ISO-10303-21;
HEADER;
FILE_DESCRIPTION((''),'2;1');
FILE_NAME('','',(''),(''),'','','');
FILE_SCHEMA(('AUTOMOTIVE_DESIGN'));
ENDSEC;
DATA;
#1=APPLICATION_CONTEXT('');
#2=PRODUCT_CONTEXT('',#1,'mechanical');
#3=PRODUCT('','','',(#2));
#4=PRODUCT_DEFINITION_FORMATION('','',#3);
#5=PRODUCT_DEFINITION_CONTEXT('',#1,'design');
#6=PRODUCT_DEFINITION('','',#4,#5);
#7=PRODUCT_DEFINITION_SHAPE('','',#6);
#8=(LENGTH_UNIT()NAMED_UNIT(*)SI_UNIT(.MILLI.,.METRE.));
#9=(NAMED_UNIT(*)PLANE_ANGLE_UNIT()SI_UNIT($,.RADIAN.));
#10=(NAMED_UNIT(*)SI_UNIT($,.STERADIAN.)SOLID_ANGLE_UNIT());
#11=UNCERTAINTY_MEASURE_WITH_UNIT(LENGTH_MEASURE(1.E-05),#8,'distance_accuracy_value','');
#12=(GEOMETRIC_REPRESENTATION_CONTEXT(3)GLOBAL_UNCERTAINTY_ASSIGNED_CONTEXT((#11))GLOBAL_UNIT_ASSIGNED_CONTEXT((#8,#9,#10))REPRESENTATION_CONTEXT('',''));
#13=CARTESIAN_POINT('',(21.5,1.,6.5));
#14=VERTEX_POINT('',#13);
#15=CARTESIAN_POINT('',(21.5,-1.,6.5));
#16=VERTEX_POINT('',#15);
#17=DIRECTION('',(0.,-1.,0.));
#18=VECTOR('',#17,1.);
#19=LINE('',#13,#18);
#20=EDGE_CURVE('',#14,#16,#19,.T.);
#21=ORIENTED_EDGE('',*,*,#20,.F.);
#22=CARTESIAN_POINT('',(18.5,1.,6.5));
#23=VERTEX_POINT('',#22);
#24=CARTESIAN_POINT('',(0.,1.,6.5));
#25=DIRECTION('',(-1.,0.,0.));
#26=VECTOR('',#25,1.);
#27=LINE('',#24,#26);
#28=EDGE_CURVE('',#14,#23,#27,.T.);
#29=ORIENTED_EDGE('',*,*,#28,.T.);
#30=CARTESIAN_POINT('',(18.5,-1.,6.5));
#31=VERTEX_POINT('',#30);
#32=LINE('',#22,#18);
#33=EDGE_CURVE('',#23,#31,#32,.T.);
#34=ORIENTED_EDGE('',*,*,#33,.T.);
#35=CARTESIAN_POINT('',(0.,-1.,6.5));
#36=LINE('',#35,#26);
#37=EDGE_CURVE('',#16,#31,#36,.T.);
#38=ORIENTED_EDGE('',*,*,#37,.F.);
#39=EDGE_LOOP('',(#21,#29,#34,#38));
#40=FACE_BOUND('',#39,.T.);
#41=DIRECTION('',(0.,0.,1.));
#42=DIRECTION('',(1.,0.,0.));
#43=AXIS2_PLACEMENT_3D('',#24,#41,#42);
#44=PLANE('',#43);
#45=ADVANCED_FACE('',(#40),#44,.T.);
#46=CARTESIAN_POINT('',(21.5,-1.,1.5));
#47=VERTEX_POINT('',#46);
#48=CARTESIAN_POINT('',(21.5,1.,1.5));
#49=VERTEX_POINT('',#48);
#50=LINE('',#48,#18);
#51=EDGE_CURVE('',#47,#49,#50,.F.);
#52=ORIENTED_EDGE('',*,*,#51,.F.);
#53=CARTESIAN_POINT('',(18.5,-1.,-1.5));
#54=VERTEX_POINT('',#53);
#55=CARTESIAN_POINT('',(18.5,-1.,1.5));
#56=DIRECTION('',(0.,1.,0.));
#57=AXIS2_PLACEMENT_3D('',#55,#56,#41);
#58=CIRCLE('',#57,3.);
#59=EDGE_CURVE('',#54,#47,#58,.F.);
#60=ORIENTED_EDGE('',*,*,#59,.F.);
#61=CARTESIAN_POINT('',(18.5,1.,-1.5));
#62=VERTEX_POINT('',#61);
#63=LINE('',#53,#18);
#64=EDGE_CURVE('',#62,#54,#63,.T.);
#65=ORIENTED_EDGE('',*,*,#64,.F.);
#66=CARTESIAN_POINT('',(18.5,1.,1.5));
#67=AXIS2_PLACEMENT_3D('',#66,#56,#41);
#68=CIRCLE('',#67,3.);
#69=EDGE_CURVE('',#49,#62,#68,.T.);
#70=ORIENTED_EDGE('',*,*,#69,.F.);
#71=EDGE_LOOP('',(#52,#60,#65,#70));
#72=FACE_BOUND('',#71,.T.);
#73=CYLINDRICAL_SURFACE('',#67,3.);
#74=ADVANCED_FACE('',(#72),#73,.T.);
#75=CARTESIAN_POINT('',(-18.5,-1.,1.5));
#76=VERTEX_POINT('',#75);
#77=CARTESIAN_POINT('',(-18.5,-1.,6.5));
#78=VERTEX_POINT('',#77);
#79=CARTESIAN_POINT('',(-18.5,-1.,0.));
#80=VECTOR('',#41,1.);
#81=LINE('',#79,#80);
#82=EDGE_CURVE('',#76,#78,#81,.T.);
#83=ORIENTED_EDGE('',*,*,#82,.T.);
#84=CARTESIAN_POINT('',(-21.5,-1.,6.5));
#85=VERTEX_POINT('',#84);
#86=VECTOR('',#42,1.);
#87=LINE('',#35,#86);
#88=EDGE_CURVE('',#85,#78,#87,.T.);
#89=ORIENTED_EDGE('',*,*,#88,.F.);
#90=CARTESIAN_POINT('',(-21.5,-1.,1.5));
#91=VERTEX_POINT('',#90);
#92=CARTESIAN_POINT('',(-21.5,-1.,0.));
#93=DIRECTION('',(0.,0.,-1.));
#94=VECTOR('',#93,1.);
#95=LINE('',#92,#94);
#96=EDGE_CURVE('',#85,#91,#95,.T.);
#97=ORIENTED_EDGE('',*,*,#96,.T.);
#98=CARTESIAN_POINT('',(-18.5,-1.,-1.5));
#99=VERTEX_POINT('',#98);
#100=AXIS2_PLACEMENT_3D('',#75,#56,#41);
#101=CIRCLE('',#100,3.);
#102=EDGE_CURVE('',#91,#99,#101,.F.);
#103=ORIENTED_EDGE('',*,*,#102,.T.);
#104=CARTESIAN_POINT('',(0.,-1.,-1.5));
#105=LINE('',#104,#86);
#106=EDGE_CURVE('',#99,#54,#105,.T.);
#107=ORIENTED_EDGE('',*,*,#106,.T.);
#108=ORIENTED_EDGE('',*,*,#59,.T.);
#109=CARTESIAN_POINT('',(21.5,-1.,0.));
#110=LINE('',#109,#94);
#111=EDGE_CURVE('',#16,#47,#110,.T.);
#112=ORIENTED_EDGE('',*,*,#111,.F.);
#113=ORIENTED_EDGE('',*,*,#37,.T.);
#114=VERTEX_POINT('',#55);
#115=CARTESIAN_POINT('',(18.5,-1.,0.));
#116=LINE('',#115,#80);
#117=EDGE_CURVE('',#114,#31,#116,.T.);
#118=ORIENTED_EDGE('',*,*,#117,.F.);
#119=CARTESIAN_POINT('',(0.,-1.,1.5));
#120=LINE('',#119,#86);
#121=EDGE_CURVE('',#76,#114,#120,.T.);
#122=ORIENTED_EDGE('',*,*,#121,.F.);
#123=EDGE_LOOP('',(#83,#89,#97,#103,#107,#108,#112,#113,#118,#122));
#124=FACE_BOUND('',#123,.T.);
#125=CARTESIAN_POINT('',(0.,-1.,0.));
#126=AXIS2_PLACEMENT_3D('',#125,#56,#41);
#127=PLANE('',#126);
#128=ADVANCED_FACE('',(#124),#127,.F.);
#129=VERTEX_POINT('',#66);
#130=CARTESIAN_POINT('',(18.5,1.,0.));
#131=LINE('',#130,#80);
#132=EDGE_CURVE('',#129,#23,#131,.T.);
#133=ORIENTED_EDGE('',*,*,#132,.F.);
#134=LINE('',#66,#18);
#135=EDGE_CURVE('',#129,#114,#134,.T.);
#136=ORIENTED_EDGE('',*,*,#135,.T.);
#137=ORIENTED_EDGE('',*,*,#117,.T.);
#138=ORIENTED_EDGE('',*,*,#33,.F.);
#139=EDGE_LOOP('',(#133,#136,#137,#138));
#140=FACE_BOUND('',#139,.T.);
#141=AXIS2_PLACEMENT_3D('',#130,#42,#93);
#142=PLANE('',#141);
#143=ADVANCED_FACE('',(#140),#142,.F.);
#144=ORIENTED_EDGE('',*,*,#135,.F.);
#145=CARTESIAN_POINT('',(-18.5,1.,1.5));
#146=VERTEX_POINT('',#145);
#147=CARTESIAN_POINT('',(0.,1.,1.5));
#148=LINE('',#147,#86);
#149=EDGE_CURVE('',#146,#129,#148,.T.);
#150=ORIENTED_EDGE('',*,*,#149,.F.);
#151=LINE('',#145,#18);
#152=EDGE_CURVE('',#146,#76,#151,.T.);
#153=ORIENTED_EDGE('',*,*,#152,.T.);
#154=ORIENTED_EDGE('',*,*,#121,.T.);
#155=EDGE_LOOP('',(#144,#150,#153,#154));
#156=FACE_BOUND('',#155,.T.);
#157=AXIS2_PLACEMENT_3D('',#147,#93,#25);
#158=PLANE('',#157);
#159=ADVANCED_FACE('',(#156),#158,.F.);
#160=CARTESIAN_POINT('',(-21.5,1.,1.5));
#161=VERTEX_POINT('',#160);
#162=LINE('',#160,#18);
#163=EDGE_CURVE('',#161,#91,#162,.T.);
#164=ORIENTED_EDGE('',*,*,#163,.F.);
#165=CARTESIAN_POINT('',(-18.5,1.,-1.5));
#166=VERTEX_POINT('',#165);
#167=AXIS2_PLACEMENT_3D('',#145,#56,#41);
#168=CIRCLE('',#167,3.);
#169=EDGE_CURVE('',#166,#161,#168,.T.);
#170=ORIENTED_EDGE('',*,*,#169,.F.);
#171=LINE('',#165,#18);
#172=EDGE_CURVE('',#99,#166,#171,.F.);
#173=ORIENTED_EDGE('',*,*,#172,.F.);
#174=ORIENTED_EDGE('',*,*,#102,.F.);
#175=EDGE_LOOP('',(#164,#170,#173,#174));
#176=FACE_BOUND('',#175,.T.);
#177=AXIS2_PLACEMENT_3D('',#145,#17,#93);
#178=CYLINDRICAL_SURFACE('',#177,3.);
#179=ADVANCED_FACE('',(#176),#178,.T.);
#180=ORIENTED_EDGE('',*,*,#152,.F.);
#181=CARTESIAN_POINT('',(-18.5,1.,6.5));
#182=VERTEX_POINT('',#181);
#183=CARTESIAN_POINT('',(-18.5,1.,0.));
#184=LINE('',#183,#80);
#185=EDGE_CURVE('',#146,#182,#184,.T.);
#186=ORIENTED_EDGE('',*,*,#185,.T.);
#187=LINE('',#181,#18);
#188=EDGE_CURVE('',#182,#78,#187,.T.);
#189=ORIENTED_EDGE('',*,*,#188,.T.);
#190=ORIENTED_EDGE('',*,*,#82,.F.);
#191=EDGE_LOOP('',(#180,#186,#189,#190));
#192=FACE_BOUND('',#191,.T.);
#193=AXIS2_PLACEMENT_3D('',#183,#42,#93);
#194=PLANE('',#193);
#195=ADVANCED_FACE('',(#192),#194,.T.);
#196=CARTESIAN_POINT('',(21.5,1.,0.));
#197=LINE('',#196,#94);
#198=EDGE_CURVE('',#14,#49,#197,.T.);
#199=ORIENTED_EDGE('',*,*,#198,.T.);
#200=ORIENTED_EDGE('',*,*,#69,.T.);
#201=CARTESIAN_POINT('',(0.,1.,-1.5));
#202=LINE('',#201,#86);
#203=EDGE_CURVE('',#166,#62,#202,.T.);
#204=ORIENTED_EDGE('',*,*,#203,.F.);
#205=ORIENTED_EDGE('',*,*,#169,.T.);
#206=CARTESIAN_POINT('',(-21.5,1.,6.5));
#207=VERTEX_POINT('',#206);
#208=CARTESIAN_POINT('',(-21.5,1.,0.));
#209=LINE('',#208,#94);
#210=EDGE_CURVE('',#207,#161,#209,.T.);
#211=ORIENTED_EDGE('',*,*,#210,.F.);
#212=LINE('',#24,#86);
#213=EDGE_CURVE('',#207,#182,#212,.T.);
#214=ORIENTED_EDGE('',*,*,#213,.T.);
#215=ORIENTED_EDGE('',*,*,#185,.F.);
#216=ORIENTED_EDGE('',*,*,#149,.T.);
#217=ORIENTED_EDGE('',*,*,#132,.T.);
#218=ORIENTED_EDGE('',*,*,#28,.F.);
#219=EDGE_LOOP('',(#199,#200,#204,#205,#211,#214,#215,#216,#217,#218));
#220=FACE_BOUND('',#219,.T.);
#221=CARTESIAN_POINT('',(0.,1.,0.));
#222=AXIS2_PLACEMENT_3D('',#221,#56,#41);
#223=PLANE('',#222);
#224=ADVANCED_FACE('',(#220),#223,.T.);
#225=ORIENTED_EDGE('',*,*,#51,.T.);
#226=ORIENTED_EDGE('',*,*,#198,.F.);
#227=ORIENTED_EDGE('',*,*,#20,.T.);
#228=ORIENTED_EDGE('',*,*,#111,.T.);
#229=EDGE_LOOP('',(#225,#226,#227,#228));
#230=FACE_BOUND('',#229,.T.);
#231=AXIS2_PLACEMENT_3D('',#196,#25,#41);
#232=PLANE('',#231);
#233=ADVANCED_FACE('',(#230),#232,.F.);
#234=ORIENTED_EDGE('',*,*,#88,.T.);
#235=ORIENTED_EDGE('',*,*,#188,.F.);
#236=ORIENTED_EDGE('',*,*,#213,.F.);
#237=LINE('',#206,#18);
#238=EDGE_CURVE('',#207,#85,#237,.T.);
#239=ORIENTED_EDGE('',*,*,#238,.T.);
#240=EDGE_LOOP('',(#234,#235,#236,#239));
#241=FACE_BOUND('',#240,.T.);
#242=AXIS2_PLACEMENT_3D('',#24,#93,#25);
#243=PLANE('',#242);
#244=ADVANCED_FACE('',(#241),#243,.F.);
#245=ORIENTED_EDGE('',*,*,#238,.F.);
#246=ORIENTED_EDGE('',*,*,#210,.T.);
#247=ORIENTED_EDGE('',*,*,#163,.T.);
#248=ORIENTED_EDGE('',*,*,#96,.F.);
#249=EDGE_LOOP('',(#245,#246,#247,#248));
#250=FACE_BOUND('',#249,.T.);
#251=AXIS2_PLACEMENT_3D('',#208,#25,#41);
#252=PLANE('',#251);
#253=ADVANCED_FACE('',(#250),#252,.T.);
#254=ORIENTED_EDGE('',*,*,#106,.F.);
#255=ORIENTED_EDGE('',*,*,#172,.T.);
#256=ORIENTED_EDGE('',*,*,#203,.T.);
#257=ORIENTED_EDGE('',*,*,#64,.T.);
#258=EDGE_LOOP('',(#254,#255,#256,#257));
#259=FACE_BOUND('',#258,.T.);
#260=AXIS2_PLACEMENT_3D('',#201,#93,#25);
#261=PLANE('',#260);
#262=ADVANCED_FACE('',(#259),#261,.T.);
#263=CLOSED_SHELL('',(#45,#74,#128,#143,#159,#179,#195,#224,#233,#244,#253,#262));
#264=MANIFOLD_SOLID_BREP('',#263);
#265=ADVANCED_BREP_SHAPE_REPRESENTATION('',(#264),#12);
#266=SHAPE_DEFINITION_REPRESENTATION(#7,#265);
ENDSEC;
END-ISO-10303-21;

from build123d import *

# Parameters (mm, degrees)
SKETCH1_W           = 43
SKETCH1_H           = 3
SKETCH1_W_2         = 3
SKETCH1_H_2         = 5
BOSS_EXTRUDE1_DEPTH = 1
FILLET1_R           = 3


with BuildPart() as part:
    # Sketch1 → Boss-Extrude1 (new, symmetric)
    with BuildSketch(Plane(origin=(0, 0, 0), x_dir=(1, 0, 0), z_dir=(0, 1, 0))):
        Rectangle(SKETCH1_W, SKETCH1_H)
        with Locations((-20, -4)):
            Rectangle(SKETCH1_W_2, SKETCH1_H_2)
        with Locations((20, -4)):
            Rectangle(SKETCH1_W_2, SKETCH1_H_2)
    extrude(amount=BOSS_EXTRUDE1_DEPTH, both=True)

    # Fillet1
    fillet1_edges = [part.edges().sort_by_distance(p)[0] for p in [
        (-21.5, 0, -1.5),
        (21.5, 0, -1.5),
    ]]
    fillet(fillet1_edges, radius=FILLET1_R)


solid = part.part
